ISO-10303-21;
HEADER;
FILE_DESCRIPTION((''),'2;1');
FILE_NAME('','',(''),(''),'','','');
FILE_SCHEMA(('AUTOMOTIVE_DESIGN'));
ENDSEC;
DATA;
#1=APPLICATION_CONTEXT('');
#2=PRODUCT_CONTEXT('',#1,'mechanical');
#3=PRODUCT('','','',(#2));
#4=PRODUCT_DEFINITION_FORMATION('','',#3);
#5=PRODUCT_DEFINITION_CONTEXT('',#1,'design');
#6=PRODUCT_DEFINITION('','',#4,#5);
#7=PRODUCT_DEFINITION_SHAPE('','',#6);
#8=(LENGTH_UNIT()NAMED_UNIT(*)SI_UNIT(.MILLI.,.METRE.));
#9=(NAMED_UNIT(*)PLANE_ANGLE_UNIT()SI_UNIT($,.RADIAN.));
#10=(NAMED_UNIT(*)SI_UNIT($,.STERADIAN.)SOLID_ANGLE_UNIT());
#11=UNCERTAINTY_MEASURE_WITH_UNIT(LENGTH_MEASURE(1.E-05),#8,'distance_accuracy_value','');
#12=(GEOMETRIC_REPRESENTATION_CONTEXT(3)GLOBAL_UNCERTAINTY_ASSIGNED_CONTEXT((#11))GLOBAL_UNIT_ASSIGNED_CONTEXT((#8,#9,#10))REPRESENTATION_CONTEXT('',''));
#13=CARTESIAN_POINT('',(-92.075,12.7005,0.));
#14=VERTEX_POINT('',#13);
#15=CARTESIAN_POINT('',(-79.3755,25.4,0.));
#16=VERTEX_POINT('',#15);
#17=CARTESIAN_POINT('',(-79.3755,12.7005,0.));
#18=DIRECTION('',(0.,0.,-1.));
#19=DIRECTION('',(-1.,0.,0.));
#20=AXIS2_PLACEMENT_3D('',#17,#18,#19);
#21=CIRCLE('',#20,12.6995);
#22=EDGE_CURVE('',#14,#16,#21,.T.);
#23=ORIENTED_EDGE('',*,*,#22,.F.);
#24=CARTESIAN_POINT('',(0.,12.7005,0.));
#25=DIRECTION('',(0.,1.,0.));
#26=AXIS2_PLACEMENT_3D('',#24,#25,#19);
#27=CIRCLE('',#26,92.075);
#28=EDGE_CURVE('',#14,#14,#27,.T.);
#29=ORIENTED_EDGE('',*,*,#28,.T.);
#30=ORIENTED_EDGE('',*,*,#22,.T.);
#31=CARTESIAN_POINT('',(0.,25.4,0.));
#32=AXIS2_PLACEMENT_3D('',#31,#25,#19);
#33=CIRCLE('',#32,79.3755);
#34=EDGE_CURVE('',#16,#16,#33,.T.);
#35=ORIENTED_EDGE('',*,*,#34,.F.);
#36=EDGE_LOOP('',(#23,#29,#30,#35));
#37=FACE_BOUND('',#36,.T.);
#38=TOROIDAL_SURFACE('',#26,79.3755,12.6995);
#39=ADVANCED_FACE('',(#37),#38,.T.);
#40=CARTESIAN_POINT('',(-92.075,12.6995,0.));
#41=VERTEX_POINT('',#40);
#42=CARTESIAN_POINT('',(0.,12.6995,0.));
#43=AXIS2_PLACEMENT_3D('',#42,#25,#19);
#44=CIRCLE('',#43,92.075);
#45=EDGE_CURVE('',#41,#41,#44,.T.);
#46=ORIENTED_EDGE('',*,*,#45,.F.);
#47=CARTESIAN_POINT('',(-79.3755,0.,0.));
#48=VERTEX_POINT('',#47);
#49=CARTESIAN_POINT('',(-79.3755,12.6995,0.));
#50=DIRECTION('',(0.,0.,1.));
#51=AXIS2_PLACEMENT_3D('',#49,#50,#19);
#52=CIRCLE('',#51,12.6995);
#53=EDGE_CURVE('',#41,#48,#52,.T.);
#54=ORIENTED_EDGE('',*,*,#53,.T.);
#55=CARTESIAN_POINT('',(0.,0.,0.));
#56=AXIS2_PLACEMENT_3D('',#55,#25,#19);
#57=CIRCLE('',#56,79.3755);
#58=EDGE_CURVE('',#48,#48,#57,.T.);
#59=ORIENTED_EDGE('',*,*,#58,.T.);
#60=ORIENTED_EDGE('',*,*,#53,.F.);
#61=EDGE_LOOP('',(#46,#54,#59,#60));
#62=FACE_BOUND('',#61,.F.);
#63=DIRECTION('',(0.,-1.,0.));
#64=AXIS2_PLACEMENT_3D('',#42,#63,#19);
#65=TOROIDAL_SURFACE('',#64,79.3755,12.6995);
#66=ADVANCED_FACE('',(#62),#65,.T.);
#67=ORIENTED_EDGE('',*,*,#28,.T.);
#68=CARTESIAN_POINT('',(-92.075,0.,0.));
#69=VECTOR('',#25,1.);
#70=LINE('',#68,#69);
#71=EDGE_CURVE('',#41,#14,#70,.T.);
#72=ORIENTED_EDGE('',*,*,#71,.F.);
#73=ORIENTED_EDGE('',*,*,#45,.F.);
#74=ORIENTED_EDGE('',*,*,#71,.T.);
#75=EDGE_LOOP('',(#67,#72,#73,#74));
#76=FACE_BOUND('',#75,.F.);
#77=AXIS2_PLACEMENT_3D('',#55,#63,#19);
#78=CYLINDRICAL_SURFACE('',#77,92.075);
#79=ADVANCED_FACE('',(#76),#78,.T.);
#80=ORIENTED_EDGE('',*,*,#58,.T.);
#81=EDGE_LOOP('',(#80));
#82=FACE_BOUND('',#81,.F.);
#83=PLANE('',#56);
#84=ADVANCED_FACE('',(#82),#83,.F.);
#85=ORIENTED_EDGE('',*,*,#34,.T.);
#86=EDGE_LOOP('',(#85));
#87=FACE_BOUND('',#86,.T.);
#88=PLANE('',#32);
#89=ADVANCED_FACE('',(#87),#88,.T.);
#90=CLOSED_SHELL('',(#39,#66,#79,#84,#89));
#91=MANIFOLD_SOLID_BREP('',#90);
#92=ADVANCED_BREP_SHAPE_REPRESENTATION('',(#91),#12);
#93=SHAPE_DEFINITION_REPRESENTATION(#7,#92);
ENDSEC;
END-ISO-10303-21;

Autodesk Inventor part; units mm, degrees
ref_plane "YZ Plane" through (0, 0, 0) normal (1, 0, 0) x (0, 1, 0)
ref_plane "XZ Plane" through (0, 0, 0) normal (0, 1, 0) x (-1, 0, 0)
ref_plane "XY Plane" through (0, 0, 0) normal (0, 0, 1) x (1, 0, 0)
sketch "Sketch1" plane through (0, 0, 0) normal (0, 1, 0) x (-1, 0, 0)
  circle A0 centre (0, 0) radius 92.075
  dimension "d0" = 184.15
extrude "Extrusion1" add sketch "Sketch1" along normal blind 25.4
fillet "Fillet1" radius 12.7 2 edges at (92.075, 25.4, 0) (92.075, 0, 0)
properties part number "RS-01" material "Rubber, Silicone"
